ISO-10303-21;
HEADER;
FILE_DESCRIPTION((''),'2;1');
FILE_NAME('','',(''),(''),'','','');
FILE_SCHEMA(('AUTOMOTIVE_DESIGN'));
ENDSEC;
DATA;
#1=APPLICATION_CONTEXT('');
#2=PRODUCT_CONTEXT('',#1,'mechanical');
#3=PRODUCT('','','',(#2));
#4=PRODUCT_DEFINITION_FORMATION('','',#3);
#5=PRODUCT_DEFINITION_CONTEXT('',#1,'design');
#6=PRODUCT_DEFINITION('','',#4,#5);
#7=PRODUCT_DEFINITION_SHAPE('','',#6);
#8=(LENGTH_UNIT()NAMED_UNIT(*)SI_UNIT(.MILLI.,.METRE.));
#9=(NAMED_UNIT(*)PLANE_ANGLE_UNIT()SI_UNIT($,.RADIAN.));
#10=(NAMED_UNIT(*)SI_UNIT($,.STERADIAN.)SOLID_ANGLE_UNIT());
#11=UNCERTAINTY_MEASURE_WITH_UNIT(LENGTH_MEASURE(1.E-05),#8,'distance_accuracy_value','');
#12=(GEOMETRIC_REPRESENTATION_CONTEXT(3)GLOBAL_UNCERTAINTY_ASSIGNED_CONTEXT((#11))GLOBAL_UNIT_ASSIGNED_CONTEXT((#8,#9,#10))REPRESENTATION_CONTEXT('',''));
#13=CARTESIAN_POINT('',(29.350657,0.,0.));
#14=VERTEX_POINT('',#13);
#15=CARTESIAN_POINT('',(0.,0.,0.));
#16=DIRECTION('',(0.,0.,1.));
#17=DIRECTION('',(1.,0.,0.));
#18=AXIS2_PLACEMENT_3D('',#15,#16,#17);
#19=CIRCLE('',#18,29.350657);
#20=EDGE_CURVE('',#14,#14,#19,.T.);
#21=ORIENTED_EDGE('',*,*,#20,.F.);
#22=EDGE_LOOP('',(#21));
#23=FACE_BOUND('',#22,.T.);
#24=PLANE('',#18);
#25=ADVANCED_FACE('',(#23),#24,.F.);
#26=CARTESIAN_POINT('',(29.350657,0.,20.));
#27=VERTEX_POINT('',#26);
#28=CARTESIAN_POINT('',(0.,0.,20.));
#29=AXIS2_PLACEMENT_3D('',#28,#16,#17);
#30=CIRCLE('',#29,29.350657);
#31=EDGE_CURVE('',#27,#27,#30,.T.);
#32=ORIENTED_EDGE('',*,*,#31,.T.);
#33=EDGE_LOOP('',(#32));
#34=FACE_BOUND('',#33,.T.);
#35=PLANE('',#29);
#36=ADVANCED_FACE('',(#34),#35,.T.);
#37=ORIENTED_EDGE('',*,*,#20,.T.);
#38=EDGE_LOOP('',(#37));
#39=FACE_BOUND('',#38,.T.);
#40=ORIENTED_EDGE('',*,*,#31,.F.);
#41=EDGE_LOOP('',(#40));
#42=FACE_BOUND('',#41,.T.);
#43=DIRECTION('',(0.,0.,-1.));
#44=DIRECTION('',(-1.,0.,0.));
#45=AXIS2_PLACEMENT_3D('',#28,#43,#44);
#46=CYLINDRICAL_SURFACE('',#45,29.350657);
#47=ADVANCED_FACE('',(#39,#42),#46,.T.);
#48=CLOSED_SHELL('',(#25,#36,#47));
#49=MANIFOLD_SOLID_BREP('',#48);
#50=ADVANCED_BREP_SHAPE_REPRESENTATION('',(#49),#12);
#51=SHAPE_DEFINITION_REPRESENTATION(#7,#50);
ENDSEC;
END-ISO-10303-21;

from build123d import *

# Parameters (mm, degrees)
SKETCH_3_R      = 29.350657221
EXTRUDE_1_DEPTH = 20


with BuildPart() as part:
    # 草图3 → 凸台-拉伸1 (new body)
    with BuildSketch(Plane.XY):
        Circle(SKETCH_3_R)
    extrude(amount=EXTRUDE_1_DEPTH)


solid = part.part
